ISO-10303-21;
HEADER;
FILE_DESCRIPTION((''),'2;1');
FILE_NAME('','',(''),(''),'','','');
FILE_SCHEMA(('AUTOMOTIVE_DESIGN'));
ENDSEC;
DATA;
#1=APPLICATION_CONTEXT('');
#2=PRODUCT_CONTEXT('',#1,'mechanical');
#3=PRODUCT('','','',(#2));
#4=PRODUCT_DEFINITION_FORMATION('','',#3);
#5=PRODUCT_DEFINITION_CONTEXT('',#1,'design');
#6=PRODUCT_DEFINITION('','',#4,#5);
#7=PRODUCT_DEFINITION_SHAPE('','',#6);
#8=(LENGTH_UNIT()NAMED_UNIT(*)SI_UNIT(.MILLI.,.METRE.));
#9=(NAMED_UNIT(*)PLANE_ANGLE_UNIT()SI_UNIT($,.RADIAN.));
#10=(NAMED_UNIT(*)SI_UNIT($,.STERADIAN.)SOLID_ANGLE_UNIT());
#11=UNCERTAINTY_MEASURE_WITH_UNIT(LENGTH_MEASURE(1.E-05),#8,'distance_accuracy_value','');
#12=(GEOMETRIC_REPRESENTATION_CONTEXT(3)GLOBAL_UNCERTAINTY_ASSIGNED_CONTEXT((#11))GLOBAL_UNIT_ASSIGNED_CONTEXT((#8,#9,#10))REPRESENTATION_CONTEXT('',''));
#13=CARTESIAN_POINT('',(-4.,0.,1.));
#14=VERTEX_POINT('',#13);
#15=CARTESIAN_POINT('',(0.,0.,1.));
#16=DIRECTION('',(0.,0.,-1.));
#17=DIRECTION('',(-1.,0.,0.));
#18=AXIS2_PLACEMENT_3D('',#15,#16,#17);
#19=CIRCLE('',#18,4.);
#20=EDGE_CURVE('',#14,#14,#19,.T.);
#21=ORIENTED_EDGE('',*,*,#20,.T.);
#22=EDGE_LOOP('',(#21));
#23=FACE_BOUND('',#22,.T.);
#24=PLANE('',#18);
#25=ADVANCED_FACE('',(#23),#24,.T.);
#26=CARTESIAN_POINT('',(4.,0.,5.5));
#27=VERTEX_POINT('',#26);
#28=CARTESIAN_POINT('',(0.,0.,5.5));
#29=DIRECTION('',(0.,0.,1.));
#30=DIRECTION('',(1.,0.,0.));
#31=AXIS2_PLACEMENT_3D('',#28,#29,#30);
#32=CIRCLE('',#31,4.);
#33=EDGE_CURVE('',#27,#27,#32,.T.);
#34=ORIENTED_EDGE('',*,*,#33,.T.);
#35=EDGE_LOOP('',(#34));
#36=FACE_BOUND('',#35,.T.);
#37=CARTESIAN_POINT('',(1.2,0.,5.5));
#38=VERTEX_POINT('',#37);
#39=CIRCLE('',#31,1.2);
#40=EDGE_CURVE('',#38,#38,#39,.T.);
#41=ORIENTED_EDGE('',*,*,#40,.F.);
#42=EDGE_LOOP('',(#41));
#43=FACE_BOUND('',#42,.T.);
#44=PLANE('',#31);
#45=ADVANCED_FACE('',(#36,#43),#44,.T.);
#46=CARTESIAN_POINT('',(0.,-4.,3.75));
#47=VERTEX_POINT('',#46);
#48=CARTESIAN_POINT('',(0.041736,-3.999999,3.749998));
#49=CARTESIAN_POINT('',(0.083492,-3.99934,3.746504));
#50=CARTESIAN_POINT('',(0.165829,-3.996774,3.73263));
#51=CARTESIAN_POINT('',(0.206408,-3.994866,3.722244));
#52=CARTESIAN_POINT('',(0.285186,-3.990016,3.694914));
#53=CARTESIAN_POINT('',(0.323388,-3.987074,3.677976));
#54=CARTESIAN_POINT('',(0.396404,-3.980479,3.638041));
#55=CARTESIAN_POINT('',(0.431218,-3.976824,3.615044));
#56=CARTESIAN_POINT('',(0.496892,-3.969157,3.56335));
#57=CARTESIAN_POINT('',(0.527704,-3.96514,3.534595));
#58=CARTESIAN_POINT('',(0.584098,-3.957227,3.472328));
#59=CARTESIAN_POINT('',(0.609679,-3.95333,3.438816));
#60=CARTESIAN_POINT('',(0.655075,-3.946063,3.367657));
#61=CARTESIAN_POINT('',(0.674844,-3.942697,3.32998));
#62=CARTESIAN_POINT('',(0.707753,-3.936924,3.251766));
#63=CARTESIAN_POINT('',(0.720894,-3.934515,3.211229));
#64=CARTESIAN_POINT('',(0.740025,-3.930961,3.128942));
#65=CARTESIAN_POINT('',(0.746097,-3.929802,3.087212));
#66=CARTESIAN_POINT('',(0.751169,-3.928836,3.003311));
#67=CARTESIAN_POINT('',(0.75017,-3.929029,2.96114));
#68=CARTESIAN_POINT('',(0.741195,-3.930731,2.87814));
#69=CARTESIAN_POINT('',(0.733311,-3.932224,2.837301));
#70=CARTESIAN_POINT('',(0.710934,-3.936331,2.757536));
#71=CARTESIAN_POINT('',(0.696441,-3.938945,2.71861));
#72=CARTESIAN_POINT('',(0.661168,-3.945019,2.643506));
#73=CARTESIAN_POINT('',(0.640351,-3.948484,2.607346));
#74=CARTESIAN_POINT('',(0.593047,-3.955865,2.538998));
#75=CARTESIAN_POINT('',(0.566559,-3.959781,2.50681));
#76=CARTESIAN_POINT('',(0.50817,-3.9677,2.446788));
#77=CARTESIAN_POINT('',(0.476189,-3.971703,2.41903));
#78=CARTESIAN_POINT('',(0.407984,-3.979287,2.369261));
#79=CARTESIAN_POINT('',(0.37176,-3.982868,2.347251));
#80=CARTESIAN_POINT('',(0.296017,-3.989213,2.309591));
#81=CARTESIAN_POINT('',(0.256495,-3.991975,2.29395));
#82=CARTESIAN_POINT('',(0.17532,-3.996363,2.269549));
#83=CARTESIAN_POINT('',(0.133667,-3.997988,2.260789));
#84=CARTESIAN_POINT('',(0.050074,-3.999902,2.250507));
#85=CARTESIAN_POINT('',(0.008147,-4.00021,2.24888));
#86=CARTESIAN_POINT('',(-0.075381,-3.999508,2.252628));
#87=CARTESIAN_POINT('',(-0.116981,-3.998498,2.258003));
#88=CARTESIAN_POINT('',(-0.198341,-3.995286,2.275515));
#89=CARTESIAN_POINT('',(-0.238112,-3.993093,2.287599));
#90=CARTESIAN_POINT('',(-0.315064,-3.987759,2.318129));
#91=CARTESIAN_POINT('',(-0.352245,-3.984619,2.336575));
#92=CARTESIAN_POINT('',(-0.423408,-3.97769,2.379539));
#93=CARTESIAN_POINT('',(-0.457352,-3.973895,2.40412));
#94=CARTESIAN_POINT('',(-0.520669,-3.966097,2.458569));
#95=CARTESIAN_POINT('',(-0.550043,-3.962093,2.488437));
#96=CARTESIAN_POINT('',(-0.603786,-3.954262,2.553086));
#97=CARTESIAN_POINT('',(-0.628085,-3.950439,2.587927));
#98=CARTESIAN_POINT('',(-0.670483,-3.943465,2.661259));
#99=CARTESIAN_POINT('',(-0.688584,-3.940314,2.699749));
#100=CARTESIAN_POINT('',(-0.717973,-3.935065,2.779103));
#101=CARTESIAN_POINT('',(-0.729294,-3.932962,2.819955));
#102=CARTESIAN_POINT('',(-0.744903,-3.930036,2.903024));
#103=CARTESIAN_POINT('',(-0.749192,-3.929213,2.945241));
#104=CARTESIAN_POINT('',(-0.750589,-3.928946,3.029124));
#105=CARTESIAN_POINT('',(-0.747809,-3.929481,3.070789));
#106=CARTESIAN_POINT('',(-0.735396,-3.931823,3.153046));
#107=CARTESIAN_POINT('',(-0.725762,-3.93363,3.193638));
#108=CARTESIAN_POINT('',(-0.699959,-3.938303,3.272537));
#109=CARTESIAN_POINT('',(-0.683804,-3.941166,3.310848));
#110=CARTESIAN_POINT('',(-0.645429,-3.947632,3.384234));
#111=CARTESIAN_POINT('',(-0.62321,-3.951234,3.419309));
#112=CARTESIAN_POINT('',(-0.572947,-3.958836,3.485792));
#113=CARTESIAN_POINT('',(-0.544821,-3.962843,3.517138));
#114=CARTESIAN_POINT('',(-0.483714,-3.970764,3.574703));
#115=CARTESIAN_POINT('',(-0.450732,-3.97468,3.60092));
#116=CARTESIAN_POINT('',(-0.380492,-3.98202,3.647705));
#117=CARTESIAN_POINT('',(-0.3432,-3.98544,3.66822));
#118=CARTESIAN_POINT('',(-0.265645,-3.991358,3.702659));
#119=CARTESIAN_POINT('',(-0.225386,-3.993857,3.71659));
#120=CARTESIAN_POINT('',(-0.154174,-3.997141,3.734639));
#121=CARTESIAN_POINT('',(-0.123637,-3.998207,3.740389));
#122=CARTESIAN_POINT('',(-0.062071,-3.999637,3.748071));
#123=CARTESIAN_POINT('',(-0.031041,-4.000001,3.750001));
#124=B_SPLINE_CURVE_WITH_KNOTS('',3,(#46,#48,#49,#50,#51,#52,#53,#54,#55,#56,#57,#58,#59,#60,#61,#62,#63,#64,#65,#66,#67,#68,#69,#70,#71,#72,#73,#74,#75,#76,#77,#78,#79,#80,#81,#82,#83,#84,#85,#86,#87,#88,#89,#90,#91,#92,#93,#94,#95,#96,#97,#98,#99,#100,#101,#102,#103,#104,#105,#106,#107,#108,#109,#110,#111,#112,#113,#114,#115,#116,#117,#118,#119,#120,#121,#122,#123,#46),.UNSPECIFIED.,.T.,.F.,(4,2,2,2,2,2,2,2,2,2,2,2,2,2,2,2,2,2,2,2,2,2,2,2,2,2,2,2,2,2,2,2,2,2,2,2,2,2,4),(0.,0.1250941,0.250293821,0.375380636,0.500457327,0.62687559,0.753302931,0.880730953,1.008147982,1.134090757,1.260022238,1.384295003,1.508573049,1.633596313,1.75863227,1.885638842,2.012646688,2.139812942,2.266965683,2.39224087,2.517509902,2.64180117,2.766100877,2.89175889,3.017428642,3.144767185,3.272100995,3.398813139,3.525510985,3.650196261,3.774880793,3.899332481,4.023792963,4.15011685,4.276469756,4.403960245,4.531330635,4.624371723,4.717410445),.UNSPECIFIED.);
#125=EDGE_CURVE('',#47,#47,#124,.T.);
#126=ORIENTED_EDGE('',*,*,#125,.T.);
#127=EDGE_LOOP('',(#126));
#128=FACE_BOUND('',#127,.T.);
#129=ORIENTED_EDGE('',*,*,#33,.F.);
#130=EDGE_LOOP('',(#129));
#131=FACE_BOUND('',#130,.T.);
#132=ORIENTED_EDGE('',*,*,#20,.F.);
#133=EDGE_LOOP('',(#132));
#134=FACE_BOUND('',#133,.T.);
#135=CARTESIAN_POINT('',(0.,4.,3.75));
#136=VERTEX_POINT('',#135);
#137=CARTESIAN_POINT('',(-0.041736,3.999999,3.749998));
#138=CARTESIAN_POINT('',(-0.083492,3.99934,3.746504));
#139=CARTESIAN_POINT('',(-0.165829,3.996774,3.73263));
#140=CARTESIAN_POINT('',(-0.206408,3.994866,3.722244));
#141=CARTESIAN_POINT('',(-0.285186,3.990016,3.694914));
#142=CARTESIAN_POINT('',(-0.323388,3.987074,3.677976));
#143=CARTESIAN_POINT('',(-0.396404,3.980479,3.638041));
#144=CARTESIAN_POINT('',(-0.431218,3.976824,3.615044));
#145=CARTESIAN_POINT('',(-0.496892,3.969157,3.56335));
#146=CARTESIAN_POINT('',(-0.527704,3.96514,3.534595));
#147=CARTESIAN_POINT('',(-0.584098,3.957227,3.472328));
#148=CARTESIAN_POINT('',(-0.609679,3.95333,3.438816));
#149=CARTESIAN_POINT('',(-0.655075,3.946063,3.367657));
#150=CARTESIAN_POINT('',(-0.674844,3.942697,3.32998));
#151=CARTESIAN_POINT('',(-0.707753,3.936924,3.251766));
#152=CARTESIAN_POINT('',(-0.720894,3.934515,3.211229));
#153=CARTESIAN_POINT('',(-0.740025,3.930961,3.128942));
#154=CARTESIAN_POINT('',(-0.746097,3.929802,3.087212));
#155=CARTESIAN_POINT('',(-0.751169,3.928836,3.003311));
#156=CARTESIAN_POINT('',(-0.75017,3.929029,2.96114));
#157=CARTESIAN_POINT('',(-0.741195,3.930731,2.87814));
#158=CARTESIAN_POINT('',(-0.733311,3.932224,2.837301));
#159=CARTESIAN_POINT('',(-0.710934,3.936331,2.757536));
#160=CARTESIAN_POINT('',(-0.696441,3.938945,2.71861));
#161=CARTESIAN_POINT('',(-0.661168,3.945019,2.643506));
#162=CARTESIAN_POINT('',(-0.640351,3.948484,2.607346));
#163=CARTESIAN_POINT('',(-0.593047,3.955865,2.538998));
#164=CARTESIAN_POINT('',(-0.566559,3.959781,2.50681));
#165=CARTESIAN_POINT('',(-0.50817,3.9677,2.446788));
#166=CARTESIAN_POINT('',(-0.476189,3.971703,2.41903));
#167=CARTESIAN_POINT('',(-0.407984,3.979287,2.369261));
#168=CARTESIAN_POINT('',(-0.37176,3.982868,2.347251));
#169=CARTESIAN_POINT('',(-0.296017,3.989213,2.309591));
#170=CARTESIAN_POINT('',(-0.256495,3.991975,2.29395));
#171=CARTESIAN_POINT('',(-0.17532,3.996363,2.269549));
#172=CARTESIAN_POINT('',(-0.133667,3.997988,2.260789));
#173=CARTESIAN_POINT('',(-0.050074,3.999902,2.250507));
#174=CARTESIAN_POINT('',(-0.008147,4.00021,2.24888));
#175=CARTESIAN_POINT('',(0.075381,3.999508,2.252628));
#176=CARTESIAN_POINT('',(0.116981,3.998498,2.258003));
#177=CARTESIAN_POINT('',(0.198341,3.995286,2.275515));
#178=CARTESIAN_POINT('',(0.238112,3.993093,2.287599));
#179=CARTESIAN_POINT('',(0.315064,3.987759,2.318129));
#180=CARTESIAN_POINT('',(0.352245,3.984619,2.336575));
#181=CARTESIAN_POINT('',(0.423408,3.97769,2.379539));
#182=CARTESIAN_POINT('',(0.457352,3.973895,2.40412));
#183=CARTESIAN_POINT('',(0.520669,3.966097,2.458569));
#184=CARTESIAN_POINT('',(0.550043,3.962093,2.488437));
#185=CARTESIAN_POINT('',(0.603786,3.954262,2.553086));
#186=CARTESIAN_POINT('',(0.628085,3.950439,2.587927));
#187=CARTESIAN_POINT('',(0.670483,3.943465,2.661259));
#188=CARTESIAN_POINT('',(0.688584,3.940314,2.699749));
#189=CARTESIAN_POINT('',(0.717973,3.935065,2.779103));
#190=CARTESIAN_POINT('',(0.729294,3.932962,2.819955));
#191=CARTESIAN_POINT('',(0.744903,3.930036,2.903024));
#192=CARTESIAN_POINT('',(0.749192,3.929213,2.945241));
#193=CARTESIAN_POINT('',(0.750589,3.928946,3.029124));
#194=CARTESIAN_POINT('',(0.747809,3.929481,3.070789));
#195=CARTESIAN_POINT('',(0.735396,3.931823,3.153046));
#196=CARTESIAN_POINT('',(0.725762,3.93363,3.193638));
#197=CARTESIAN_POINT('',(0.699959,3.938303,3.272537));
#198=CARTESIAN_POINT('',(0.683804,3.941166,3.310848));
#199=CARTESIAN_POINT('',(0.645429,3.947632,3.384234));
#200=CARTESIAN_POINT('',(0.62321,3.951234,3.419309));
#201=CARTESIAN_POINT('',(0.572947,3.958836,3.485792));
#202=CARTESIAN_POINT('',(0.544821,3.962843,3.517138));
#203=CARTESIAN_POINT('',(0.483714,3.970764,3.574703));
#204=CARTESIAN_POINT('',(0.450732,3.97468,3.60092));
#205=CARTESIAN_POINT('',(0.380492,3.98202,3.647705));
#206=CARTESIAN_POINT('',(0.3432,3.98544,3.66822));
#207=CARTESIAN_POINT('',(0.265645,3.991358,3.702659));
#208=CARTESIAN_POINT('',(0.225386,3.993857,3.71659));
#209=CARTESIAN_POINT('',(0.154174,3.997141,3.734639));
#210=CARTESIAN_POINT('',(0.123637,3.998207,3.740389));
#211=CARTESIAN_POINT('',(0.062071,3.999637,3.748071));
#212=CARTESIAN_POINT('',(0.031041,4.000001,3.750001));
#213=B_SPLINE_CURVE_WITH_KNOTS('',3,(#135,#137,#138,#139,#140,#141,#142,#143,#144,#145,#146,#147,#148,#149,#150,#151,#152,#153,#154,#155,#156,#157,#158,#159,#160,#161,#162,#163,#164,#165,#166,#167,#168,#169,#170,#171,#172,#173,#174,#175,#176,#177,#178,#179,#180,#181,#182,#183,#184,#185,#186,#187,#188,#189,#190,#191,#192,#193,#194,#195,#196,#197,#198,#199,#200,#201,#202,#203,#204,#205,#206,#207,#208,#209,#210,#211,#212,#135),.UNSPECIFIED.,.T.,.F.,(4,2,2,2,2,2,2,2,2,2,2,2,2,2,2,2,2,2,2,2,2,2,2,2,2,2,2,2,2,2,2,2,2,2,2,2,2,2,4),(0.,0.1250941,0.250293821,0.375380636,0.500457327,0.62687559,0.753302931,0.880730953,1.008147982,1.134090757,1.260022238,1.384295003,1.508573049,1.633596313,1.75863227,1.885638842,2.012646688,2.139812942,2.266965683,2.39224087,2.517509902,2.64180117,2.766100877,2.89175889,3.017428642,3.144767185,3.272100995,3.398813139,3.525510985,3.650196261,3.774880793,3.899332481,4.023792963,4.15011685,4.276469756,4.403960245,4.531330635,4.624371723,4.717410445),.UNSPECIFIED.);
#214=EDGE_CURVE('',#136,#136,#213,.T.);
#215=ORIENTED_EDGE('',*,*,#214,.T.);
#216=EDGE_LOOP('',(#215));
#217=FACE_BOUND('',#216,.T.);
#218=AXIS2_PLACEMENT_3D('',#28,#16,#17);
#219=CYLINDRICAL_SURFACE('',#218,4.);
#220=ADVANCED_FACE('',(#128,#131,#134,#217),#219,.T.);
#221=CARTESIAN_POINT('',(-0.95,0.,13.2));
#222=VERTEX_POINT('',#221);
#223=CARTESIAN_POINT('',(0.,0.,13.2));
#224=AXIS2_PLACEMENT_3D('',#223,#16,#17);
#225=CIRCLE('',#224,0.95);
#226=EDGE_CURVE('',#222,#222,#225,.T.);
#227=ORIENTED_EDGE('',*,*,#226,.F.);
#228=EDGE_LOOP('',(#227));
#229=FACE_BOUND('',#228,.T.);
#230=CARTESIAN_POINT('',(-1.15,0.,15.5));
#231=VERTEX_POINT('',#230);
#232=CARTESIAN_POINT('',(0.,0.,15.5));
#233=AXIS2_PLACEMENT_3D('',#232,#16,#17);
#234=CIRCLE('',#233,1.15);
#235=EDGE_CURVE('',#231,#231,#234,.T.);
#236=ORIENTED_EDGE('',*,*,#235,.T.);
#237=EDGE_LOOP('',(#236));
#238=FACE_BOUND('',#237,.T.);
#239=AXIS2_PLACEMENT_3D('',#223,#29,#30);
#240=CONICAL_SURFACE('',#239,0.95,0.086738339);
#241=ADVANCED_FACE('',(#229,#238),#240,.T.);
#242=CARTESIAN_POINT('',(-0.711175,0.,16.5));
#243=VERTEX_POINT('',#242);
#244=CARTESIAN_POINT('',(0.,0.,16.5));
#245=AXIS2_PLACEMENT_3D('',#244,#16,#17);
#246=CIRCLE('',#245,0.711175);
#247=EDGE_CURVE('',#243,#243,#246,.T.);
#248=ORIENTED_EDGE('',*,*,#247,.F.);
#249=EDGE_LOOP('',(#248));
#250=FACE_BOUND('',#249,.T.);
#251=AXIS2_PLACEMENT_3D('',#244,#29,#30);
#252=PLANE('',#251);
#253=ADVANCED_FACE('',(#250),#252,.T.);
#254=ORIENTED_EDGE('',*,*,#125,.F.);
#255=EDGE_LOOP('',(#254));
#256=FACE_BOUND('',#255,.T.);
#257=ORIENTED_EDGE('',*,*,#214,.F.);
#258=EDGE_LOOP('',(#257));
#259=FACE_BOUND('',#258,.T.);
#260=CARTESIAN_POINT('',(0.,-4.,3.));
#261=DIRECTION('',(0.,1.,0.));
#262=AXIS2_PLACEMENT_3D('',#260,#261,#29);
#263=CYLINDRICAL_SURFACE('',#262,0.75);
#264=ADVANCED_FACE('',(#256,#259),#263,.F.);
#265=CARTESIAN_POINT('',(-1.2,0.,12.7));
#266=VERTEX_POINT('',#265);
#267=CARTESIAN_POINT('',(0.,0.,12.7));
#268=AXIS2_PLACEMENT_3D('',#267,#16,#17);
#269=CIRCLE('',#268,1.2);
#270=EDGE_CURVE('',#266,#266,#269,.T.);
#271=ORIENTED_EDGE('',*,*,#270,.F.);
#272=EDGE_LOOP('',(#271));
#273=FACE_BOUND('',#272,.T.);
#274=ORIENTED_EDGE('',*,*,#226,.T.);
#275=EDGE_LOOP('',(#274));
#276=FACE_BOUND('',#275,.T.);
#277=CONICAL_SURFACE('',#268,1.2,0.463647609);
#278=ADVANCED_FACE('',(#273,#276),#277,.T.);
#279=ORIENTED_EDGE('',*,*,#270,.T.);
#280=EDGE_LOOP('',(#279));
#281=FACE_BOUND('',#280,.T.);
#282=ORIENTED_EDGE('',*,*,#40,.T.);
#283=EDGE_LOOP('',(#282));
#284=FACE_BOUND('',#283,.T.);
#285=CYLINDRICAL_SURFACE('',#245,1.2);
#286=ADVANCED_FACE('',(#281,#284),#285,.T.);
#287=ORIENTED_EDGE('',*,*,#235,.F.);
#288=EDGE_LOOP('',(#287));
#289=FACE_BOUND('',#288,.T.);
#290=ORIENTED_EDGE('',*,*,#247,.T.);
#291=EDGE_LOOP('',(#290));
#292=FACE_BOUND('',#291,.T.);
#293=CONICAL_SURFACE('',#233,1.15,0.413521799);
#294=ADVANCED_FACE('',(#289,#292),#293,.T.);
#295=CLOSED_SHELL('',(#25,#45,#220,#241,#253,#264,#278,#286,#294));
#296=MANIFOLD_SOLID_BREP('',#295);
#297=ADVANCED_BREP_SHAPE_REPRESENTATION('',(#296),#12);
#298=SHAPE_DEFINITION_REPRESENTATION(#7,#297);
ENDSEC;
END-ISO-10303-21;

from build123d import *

# Parameters (mm, degrees)
SKETCH_1_R               = 4
EXTRUDE_1_DEPTH          = 5.5
SKETCH_2_R               = 1.2
EXTRUDE_2_DEPTH          = 11
SKETCH_6_R               = 0.75
CUT_EXTRUDE_1_DEPTH      = 5
CUT_EXTRUDE_1_DEPTH_BACK = 5
SKETCH_7_R               = 4
CUT_EXTRUDE_2_DEPTH      = 1


with BuildPart() as part:
    # ｽｹｯﾁ1 → ﾎﾞｽ - 押し出し1 (new body)
    with BuildSketch(Plane.XY):
        Circle(SKETCH_1_R)
    extrude(amount=EXTRUDE_1_DEPTH)

    # ｽｹｯﾁ2 → ﾎﾞｽ - 押し出し2 (add)
    with BuildSketch(Plane.XY.offset(5.5)):
        Circle(SKETCH_2_R)
    extrude(amount=EXTRUDE_2_DEPTH)

    # ｽｹｯﾁ4 → ｶｯﾄ - 回転1 (revolve, cut)
    with BuildSketch(Plane(origin=(0, 0, 0), x_dir=(1, 0, 0), z_dir=(0, 1, 0))):
        Polygon((1.2, -16.5), (0.711175277, -16.5), (1.15, -15.5), (0.95, -13.2), (1.2, -12.7), align=None)
    revolve(axis=Axis((0, 0, 12.792952675), (0, 0, 1)), mode=Mode.SUBTRACT)

    # ｽｹｯﾁ6 → ｶｯﾄ - 押し出し1 (cut, two sides)
    with BuildSketch(Plane(origin=(0, 0, 0), x_dir=(1, 0, 0), z_dir=(0, 1, 0))) as cut_extrude_1_sk:
        with Locations((0, -3)):
            Circle(SKETCH_6_R)
    extrude(amount=CUT_EXTRUDE_1_DEPTH, mode=Mode.SUBTRACT)
    extrude(cut_extrude_1_sk.sketch, amount=-CUT_EXTRUDE_1_DEPTH_BACK, mode=Mode.SUBTRACT)

    # ｽｹｯﾁ7 → ｶｯﾄ - 押し出し2 (cut)
    with BuildSketch(Plane(origin=(0, 0, 0), x_dir=(-1, 0, 0), z_dir=(0, 0, -1))):
        Circle(SKETCH_7_R)
    extrude(amount=-CUT_EXTRUDE_2_DEPTH, mode=Mode.SUBTRACT)


solid = part.part
